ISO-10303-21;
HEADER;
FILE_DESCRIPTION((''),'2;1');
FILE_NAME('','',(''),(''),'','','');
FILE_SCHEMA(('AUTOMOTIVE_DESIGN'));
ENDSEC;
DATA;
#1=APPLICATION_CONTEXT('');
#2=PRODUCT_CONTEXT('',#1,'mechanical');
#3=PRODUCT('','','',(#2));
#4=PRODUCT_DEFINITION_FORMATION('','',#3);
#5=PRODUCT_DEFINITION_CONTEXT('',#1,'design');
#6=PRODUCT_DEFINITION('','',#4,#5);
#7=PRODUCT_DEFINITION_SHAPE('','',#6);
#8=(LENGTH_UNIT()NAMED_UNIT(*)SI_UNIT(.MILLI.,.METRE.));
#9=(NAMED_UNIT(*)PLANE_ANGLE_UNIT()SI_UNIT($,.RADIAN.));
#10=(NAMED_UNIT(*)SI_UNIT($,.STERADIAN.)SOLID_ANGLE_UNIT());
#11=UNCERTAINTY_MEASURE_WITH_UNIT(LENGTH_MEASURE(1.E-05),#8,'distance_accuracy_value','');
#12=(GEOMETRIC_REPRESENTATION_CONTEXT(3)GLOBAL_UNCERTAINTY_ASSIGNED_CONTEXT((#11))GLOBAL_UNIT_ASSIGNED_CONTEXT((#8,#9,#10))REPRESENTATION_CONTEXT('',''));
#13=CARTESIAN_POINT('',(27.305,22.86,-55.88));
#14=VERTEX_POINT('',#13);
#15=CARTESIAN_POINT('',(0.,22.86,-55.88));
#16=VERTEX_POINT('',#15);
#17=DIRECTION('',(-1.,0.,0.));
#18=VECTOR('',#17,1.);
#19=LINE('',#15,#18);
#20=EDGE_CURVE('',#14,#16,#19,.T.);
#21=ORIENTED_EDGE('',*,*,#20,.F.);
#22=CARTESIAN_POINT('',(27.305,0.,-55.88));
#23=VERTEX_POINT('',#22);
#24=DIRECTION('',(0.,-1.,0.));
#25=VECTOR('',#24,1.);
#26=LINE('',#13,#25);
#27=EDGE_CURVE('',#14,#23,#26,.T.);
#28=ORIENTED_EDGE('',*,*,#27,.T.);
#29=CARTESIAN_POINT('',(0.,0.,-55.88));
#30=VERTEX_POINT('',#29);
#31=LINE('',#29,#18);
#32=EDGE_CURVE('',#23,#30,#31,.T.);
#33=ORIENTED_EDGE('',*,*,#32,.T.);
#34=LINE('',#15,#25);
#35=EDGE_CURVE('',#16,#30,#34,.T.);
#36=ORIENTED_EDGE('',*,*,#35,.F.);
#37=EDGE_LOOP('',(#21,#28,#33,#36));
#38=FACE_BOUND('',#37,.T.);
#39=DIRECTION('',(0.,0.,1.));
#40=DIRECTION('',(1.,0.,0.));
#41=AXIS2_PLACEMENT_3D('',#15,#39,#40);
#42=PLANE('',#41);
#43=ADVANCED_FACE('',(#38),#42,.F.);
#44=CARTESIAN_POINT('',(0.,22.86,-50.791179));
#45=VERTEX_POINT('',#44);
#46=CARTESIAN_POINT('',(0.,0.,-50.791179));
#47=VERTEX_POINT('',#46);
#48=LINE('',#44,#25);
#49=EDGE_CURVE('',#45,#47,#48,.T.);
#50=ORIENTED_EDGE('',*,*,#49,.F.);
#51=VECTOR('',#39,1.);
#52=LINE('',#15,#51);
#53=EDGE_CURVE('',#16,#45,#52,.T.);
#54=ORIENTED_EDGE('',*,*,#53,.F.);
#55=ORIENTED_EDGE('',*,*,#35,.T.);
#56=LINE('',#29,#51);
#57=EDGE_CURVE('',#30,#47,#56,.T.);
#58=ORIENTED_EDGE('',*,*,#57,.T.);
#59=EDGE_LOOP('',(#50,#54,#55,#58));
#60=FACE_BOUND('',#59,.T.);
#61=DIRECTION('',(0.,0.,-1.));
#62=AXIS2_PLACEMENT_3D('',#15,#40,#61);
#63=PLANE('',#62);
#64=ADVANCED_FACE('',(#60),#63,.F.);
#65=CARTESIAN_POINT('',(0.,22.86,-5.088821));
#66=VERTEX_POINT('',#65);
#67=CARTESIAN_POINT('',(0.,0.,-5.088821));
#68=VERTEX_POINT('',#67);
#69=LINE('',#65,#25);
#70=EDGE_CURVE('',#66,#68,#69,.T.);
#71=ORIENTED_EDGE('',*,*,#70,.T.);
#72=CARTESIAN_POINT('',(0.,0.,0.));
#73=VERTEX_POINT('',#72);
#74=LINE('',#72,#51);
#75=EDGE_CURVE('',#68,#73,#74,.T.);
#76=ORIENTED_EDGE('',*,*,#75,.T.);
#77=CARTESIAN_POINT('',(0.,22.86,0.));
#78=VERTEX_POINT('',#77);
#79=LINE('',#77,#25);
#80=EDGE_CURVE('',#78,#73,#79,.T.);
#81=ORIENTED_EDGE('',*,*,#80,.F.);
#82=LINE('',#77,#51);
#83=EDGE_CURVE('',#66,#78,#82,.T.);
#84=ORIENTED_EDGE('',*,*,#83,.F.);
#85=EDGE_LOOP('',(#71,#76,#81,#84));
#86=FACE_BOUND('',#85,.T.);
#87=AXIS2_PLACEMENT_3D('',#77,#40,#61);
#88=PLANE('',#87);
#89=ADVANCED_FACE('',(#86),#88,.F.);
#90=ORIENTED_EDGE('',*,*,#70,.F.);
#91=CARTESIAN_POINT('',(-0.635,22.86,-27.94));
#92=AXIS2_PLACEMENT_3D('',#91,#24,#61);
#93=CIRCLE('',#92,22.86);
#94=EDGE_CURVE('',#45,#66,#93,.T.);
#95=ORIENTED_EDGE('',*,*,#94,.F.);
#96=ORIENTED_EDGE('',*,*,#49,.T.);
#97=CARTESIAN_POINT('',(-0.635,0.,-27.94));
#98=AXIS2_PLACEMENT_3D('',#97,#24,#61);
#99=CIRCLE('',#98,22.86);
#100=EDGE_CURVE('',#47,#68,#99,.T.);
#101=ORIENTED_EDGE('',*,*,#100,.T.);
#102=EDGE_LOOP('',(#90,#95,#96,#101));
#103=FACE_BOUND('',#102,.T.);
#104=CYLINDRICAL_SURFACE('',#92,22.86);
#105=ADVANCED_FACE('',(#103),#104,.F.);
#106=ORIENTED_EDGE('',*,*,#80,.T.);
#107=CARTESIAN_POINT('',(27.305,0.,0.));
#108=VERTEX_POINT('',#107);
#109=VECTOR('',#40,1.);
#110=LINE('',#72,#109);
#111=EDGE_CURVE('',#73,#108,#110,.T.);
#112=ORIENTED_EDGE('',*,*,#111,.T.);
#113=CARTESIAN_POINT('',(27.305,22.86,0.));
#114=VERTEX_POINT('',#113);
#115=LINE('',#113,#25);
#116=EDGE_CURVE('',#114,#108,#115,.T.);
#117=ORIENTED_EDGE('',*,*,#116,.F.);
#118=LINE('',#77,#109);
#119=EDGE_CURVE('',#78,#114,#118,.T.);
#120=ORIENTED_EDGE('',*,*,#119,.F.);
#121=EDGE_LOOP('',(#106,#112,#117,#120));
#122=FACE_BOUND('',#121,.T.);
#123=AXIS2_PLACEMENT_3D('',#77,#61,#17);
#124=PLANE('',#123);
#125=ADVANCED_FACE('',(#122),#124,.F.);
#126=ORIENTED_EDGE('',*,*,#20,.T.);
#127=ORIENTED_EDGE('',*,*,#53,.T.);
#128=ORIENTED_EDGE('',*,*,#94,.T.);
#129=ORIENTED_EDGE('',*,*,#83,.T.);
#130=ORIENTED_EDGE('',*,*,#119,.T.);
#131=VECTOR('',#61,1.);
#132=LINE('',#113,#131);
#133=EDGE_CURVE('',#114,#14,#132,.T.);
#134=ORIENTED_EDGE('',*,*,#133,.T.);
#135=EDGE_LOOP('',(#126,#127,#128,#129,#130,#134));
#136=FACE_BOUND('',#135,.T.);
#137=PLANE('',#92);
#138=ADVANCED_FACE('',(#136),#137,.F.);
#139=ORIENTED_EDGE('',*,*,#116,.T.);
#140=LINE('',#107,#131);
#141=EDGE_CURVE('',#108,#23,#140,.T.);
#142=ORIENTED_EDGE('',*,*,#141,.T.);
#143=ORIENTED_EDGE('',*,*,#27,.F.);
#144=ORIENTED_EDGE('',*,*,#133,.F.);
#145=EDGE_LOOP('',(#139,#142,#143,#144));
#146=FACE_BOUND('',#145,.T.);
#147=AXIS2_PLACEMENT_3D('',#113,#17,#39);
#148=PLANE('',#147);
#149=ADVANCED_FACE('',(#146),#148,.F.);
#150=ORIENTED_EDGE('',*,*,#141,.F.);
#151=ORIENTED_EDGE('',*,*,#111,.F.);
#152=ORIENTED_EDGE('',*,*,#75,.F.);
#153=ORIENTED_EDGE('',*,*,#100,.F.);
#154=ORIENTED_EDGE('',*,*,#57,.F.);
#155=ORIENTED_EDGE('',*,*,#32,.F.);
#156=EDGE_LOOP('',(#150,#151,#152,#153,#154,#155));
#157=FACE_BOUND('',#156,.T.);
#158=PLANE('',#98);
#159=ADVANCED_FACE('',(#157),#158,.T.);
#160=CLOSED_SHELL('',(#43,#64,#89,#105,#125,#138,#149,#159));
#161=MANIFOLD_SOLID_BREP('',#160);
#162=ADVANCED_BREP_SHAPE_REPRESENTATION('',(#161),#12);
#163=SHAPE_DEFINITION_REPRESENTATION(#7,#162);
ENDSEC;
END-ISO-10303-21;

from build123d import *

# Parameters (mm, degrees)
BOSS_EXTRUDE1_DEPTH = 22.86


with BuildPart() as part:
    # Sketch1 → Boss-Extrude1 (new body)
    with BuildSketch(Plane(origin=(0, 0, 0), x_dir=(1, 0, 0), z_dir=(0, 1, 0))):
        with BuildLine():
            Line((0, 55.88), (0, 50.791178854))
            ThreePointArc((0, 50.791178854), (22.225, 27.94), (0, 5.088821146))
            Line((0, 5.088821146), (0, 0))
            Line((0, 0), (27.305, 0))
            Line((27.305, 0), (27.305, 55.88))
            Line((27.305, 55.88), (0, 55.88))
        make_face()
    extrude(amount=BOSS_EXTRUDE1_DEPTH)


solid = part.part
